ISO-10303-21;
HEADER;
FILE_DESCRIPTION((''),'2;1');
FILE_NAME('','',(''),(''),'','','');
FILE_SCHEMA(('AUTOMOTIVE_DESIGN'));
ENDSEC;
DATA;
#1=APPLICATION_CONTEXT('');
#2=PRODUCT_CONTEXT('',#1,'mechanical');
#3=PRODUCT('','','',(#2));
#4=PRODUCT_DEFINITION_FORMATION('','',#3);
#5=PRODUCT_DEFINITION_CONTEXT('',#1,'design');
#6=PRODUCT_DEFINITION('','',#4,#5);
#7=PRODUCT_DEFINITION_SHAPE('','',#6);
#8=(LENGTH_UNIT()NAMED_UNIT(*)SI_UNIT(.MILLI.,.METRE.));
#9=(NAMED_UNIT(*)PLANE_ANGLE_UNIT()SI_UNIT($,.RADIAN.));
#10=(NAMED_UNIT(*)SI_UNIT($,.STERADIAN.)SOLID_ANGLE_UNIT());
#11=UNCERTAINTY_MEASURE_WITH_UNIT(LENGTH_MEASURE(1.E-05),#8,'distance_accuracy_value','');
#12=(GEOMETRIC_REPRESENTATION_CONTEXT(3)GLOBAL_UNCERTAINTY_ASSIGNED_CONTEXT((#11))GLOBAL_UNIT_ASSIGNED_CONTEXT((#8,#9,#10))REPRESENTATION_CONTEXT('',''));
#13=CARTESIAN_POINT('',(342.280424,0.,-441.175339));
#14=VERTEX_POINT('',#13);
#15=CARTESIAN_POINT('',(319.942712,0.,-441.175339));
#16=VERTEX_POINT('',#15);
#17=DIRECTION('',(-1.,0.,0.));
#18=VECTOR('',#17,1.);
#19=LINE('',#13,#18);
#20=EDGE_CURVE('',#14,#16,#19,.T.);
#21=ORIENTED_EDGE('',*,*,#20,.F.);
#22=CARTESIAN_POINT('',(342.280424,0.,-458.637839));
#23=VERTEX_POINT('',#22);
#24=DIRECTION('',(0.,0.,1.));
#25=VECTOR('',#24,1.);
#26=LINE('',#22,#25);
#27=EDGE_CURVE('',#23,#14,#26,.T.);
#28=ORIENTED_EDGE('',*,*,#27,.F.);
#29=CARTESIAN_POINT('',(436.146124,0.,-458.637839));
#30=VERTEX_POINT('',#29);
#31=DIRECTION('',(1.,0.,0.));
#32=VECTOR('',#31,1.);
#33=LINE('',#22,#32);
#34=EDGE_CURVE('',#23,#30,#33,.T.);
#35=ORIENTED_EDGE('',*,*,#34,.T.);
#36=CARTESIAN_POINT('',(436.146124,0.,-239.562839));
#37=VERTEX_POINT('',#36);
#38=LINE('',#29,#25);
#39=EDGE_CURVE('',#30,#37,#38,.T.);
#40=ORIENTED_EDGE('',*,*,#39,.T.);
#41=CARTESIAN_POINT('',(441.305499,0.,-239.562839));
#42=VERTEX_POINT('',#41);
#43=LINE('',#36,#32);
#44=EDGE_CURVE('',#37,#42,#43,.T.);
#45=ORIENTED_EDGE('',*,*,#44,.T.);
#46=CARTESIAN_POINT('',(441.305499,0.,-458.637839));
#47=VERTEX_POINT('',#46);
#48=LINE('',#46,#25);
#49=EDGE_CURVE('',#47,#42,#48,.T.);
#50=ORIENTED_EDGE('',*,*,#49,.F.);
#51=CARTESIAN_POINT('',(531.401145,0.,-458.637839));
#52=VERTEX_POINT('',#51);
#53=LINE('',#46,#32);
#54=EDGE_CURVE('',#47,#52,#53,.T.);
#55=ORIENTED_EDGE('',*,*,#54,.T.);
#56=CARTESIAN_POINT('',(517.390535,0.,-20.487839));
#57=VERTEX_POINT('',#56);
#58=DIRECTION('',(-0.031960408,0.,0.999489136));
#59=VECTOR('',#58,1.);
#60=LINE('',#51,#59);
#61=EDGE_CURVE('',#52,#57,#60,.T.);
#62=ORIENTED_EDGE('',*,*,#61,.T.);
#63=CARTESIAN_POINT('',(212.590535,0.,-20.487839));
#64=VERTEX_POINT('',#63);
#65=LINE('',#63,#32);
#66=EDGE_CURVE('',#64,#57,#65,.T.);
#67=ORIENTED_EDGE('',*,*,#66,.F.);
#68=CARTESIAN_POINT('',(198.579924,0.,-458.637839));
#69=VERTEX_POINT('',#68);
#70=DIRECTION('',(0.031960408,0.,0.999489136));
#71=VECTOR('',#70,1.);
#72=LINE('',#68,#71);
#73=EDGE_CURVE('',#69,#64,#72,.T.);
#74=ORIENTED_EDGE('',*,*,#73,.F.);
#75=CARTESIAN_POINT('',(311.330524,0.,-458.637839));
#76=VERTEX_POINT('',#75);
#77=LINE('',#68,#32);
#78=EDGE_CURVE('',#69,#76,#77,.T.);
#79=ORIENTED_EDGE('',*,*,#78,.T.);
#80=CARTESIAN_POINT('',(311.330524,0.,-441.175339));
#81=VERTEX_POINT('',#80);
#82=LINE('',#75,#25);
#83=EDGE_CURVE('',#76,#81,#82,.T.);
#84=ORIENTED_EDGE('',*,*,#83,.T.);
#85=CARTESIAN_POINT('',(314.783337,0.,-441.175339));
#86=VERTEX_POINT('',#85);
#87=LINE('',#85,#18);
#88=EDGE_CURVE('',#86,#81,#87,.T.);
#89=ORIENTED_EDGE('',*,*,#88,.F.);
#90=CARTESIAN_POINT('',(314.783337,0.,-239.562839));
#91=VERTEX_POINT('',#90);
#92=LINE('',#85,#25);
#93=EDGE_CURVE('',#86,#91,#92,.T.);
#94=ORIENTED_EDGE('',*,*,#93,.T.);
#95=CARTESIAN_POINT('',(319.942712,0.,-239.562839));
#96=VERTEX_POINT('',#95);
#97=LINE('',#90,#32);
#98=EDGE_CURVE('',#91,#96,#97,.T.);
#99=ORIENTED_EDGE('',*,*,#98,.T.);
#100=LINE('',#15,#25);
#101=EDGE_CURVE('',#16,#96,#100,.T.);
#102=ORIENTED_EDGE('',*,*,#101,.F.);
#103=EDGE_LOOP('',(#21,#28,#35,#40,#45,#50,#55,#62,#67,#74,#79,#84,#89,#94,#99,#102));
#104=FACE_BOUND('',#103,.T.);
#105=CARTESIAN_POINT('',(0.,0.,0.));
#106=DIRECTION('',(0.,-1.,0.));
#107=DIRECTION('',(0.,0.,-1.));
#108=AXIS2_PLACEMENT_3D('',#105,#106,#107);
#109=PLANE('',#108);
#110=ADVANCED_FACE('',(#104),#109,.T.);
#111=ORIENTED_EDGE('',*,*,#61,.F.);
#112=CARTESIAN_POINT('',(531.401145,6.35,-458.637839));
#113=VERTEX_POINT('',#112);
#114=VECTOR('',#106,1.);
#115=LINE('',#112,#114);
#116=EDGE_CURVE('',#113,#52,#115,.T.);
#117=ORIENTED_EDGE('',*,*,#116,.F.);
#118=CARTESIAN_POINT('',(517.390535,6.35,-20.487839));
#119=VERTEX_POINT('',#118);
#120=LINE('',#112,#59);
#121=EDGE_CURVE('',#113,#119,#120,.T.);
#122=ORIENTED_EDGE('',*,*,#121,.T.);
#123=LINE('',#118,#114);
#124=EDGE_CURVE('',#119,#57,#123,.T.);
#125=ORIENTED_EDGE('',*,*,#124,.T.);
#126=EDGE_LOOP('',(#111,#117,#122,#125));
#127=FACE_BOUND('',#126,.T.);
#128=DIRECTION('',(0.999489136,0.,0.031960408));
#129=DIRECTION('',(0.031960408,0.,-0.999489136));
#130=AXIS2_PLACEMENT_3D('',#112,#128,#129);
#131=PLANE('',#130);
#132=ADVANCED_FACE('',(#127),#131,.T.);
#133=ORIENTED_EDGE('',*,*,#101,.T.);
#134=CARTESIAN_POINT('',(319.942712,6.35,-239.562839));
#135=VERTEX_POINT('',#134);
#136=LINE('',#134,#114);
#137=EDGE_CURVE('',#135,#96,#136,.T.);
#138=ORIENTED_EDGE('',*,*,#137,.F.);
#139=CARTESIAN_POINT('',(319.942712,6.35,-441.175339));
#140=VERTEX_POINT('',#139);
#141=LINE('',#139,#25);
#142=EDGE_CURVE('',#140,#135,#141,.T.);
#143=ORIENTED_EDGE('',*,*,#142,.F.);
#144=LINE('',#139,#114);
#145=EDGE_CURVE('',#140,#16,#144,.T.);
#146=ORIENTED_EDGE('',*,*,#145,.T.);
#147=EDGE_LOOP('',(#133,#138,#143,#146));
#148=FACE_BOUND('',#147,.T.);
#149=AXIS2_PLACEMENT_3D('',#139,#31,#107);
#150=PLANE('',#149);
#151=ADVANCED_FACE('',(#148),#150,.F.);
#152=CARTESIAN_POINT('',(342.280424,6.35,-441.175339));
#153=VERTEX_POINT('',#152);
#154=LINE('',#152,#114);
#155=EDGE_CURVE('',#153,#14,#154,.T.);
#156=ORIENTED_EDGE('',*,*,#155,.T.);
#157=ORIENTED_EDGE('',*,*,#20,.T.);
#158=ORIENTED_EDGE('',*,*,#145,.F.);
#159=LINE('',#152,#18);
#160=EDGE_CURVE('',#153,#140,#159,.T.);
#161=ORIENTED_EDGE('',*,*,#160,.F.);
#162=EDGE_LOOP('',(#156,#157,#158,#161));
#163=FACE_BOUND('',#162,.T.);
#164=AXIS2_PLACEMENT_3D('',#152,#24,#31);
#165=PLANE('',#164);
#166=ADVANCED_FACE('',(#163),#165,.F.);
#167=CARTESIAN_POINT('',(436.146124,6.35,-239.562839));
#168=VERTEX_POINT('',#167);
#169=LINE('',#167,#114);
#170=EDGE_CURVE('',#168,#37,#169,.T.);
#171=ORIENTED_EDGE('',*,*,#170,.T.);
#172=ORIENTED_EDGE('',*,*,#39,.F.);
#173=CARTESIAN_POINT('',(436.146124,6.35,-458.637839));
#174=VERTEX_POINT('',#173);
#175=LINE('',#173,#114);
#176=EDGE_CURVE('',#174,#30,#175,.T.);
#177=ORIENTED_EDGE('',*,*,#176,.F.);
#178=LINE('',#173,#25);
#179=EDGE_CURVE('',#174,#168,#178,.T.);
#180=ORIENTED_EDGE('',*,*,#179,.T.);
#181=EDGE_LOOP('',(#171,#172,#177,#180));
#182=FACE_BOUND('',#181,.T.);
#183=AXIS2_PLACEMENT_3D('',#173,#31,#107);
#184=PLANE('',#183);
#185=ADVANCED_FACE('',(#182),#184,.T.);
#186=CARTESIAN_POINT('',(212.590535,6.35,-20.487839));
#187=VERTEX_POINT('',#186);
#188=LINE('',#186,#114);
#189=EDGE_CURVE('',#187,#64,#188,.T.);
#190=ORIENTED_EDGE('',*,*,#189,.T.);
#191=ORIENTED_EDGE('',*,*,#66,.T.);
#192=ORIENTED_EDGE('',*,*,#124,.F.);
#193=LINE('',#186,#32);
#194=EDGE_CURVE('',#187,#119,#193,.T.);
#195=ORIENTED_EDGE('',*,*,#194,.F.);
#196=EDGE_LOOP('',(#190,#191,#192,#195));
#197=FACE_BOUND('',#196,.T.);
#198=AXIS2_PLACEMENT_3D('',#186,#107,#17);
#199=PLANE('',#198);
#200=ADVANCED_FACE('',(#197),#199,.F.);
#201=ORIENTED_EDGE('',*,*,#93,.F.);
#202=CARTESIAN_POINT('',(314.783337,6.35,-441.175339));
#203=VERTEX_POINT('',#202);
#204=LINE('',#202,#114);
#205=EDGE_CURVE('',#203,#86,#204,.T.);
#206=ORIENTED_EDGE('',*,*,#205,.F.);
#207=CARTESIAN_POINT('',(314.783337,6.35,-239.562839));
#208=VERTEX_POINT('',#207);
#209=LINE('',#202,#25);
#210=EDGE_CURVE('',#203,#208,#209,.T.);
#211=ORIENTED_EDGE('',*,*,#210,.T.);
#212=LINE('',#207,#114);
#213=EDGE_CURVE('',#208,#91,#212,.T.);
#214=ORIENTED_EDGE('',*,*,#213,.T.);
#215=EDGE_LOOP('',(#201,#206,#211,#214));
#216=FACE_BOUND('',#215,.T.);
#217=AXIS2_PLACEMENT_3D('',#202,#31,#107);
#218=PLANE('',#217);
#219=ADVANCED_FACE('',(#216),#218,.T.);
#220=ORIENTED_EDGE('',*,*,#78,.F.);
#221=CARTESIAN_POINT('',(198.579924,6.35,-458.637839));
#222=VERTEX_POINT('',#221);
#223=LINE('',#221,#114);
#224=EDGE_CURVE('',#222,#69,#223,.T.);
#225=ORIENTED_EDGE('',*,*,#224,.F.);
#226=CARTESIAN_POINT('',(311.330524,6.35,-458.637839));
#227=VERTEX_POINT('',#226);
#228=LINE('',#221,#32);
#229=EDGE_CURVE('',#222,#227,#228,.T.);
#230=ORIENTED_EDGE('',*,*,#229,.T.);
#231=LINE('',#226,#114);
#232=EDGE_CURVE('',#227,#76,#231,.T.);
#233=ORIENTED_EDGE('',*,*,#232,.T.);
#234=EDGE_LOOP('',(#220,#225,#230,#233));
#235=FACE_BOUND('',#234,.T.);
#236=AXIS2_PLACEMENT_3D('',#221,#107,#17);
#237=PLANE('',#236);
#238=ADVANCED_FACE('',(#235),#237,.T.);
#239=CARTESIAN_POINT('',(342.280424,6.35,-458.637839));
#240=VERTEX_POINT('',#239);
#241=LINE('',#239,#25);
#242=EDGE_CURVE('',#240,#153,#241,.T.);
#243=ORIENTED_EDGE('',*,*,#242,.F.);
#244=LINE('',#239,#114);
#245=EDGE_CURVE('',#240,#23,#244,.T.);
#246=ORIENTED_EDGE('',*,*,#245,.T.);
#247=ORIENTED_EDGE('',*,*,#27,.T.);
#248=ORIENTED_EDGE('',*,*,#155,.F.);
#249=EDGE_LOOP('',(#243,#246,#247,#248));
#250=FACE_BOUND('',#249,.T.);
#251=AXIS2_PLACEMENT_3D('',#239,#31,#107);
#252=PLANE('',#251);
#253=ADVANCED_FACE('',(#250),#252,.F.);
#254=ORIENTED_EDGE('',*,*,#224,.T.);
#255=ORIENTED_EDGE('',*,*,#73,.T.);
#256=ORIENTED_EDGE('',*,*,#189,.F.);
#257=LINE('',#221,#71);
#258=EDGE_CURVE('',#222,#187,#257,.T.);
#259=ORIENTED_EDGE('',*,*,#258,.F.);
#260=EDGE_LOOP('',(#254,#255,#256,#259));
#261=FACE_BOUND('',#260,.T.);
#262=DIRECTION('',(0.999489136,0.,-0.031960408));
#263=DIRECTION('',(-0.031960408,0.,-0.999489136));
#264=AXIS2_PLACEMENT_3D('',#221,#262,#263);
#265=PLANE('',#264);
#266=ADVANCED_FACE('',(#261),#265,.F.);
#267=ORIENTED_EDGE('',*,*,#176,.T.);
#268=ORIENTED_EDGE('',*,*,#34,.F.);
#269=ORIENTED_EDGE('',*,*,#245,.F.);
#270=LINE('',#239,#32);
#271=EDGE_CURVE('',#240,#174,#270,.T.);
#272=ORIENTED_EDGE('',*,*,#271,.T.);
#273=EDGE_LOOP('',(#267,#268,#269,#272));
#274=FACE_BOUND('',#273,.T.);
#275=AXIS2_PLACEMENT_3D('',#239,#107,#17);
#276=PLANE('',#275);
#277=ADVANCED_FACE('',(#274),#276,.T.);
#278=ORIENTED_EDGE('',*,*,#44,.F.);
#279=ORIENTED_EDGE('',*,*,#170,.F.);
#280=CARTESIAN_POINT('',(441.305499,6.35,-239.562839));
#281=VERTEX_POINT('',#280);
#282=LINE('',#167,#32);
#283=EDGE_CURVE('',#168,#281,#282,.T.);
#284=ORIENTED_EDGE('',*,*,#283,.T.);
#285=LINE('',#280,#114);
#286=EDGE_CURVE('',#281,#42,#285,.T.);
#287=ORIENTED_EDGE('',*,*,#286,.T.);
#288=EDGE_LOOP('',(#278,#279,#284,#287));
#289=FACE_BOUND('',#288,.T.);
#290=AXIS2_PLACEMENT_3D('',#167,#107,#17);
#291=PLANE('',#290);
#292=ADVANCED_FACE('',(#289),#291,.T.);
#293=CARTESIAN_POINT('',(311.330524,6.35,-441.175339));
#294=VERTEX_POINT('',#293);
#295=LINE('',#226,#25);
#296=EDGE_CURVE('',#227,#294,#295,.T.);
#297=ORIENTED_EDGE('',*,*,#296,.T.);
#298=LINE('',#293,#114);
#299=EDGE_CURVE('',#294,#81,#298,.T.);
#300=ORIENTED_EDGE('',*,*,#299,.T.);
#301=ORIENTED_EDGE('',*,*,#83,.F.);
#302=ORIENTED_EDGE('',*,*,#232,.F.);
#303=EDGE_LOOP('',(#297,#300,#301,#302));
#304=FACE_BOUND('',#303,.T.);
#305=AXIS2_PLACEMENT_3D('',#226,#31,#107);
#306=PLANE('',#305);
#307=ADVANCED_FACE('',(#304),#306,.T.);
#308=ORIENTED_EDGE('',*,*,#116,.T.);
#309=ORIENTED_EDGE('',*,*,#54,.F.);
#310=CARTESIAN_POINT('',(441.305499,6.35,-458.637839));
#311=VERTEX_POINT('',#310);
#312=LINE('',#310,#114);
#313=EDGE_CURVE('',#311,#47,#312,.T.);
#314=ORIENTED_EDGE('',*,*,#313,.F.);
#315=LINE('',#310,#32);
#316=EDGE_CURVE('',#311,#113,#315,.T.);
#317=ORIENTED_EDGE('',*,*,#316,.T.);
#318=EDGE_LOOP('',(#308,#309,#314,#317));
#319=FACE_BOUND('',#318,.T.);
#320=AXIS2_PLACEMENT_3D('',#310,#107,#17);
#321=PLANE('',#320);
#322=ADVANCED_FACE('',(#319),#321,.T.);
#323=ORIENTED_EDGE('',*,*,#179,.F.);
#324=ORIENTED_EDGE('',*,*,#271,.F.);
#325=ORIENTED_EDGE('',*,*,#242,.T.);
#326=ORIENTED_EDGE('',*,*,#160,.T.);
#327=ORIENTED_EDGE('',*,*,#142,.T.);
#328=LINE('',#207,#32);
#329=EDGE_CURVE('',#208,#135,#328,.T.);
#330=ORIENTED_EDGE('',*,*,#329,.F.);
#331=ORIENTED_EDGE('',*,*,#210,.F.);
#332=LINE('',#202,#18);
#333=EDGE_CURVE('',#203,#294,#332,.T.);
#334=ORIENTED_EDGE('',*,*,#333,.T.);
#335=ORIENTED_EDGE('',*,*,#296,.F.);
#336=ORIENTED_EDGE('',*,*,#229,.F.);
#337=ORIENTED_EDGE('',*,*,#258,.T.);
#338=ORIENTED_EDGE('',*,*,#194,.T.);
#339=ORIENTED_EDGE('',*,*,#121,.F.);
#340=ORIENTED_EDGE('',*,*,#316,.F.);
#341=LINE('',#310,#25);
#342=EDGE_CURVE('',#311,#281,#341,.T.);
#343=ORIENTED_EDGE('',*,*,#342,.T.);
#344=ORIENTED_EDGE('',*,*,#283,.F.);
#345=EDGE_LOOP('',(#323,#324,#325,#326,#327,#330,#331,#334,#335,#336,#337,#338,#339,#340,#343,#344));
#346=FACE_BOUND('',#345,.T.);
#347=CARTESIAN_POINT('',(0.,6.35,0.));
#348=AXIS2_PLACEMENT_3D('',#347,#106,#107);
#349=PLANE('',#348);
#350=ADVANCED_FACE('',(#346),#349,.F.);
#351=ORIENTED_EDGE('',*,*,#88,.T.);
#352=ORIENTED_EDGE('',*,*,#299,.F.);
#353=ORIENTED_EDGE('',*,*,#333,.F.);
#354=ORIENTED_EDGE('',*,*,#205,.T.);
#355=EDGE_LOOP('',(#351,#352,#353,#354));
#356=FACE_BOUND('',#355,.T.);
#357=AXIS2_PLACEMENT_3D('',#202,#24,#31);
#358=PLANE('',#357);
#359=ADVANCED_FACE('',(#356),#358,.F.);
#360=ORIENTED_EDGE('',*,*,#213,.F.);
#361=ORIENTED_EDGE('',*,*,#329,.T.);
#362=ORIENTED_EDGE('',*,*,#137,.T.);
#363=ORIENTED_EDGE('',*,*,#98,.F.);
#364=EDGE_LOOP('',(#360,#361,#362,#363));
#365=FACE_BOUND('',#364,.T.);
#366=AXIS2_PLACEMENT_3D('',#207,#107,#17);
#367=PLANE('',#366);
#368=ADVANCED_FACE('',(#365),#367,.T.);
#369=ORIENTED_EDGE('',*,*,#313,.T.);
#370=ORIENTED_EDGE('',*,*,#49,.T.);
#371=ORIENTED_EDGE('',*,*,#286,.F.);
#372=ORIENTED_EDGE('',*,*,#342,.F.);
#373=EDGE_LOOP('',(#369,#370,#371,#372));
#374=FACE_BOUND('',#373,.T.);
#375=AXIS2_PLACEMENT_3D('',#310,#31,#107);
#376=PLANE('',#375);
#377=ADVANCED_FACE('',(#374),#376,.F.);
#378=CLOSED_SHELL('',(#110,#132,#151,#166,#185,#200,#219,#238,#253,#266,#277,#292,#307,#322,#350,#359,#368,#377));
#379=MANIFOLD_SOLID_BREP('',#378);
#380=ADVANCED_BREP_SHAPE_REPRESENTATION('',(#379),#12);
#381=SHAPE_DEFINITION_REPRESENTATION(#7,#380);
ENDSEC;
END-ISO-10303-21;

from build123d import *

# Parameters (mm, degrees)
BOSS_EXTRUDE1_DEPTH = 6.35


with BuildPart() as part:
    # Sketch1 → Boss-Extrude1 (new body)
    with BuildSketch(Plane(origin=(0, 0, 0), x_dir=(1, 0, 0), z_dir=(0, 1, 0))):
        Polygon((198.579924435, 458.637839184), (311.330524435, 458.637839184), (311.330524435, 441.175339184), (314.783336935, 441.175339184), (314.783336935, 239.562839184), (319.942711935, 239.562839184), (319.942711935, 441.175339184), (342.280424435, 441.175339184), (342.280424435, 458.637839184), (436.146124435, 458.637839184), (436.146124435, 239.562839184), (441.305499435, 239.562839184), (441.305499435, 458.637839184), (531.401145365, 458.637839184), (517.3905349, 20.487839184), (212.5905349, 20.487839184), align=None)
    extrude(amount=BOSS_EXTRUDE1_DEPTH)


solid = part.part
